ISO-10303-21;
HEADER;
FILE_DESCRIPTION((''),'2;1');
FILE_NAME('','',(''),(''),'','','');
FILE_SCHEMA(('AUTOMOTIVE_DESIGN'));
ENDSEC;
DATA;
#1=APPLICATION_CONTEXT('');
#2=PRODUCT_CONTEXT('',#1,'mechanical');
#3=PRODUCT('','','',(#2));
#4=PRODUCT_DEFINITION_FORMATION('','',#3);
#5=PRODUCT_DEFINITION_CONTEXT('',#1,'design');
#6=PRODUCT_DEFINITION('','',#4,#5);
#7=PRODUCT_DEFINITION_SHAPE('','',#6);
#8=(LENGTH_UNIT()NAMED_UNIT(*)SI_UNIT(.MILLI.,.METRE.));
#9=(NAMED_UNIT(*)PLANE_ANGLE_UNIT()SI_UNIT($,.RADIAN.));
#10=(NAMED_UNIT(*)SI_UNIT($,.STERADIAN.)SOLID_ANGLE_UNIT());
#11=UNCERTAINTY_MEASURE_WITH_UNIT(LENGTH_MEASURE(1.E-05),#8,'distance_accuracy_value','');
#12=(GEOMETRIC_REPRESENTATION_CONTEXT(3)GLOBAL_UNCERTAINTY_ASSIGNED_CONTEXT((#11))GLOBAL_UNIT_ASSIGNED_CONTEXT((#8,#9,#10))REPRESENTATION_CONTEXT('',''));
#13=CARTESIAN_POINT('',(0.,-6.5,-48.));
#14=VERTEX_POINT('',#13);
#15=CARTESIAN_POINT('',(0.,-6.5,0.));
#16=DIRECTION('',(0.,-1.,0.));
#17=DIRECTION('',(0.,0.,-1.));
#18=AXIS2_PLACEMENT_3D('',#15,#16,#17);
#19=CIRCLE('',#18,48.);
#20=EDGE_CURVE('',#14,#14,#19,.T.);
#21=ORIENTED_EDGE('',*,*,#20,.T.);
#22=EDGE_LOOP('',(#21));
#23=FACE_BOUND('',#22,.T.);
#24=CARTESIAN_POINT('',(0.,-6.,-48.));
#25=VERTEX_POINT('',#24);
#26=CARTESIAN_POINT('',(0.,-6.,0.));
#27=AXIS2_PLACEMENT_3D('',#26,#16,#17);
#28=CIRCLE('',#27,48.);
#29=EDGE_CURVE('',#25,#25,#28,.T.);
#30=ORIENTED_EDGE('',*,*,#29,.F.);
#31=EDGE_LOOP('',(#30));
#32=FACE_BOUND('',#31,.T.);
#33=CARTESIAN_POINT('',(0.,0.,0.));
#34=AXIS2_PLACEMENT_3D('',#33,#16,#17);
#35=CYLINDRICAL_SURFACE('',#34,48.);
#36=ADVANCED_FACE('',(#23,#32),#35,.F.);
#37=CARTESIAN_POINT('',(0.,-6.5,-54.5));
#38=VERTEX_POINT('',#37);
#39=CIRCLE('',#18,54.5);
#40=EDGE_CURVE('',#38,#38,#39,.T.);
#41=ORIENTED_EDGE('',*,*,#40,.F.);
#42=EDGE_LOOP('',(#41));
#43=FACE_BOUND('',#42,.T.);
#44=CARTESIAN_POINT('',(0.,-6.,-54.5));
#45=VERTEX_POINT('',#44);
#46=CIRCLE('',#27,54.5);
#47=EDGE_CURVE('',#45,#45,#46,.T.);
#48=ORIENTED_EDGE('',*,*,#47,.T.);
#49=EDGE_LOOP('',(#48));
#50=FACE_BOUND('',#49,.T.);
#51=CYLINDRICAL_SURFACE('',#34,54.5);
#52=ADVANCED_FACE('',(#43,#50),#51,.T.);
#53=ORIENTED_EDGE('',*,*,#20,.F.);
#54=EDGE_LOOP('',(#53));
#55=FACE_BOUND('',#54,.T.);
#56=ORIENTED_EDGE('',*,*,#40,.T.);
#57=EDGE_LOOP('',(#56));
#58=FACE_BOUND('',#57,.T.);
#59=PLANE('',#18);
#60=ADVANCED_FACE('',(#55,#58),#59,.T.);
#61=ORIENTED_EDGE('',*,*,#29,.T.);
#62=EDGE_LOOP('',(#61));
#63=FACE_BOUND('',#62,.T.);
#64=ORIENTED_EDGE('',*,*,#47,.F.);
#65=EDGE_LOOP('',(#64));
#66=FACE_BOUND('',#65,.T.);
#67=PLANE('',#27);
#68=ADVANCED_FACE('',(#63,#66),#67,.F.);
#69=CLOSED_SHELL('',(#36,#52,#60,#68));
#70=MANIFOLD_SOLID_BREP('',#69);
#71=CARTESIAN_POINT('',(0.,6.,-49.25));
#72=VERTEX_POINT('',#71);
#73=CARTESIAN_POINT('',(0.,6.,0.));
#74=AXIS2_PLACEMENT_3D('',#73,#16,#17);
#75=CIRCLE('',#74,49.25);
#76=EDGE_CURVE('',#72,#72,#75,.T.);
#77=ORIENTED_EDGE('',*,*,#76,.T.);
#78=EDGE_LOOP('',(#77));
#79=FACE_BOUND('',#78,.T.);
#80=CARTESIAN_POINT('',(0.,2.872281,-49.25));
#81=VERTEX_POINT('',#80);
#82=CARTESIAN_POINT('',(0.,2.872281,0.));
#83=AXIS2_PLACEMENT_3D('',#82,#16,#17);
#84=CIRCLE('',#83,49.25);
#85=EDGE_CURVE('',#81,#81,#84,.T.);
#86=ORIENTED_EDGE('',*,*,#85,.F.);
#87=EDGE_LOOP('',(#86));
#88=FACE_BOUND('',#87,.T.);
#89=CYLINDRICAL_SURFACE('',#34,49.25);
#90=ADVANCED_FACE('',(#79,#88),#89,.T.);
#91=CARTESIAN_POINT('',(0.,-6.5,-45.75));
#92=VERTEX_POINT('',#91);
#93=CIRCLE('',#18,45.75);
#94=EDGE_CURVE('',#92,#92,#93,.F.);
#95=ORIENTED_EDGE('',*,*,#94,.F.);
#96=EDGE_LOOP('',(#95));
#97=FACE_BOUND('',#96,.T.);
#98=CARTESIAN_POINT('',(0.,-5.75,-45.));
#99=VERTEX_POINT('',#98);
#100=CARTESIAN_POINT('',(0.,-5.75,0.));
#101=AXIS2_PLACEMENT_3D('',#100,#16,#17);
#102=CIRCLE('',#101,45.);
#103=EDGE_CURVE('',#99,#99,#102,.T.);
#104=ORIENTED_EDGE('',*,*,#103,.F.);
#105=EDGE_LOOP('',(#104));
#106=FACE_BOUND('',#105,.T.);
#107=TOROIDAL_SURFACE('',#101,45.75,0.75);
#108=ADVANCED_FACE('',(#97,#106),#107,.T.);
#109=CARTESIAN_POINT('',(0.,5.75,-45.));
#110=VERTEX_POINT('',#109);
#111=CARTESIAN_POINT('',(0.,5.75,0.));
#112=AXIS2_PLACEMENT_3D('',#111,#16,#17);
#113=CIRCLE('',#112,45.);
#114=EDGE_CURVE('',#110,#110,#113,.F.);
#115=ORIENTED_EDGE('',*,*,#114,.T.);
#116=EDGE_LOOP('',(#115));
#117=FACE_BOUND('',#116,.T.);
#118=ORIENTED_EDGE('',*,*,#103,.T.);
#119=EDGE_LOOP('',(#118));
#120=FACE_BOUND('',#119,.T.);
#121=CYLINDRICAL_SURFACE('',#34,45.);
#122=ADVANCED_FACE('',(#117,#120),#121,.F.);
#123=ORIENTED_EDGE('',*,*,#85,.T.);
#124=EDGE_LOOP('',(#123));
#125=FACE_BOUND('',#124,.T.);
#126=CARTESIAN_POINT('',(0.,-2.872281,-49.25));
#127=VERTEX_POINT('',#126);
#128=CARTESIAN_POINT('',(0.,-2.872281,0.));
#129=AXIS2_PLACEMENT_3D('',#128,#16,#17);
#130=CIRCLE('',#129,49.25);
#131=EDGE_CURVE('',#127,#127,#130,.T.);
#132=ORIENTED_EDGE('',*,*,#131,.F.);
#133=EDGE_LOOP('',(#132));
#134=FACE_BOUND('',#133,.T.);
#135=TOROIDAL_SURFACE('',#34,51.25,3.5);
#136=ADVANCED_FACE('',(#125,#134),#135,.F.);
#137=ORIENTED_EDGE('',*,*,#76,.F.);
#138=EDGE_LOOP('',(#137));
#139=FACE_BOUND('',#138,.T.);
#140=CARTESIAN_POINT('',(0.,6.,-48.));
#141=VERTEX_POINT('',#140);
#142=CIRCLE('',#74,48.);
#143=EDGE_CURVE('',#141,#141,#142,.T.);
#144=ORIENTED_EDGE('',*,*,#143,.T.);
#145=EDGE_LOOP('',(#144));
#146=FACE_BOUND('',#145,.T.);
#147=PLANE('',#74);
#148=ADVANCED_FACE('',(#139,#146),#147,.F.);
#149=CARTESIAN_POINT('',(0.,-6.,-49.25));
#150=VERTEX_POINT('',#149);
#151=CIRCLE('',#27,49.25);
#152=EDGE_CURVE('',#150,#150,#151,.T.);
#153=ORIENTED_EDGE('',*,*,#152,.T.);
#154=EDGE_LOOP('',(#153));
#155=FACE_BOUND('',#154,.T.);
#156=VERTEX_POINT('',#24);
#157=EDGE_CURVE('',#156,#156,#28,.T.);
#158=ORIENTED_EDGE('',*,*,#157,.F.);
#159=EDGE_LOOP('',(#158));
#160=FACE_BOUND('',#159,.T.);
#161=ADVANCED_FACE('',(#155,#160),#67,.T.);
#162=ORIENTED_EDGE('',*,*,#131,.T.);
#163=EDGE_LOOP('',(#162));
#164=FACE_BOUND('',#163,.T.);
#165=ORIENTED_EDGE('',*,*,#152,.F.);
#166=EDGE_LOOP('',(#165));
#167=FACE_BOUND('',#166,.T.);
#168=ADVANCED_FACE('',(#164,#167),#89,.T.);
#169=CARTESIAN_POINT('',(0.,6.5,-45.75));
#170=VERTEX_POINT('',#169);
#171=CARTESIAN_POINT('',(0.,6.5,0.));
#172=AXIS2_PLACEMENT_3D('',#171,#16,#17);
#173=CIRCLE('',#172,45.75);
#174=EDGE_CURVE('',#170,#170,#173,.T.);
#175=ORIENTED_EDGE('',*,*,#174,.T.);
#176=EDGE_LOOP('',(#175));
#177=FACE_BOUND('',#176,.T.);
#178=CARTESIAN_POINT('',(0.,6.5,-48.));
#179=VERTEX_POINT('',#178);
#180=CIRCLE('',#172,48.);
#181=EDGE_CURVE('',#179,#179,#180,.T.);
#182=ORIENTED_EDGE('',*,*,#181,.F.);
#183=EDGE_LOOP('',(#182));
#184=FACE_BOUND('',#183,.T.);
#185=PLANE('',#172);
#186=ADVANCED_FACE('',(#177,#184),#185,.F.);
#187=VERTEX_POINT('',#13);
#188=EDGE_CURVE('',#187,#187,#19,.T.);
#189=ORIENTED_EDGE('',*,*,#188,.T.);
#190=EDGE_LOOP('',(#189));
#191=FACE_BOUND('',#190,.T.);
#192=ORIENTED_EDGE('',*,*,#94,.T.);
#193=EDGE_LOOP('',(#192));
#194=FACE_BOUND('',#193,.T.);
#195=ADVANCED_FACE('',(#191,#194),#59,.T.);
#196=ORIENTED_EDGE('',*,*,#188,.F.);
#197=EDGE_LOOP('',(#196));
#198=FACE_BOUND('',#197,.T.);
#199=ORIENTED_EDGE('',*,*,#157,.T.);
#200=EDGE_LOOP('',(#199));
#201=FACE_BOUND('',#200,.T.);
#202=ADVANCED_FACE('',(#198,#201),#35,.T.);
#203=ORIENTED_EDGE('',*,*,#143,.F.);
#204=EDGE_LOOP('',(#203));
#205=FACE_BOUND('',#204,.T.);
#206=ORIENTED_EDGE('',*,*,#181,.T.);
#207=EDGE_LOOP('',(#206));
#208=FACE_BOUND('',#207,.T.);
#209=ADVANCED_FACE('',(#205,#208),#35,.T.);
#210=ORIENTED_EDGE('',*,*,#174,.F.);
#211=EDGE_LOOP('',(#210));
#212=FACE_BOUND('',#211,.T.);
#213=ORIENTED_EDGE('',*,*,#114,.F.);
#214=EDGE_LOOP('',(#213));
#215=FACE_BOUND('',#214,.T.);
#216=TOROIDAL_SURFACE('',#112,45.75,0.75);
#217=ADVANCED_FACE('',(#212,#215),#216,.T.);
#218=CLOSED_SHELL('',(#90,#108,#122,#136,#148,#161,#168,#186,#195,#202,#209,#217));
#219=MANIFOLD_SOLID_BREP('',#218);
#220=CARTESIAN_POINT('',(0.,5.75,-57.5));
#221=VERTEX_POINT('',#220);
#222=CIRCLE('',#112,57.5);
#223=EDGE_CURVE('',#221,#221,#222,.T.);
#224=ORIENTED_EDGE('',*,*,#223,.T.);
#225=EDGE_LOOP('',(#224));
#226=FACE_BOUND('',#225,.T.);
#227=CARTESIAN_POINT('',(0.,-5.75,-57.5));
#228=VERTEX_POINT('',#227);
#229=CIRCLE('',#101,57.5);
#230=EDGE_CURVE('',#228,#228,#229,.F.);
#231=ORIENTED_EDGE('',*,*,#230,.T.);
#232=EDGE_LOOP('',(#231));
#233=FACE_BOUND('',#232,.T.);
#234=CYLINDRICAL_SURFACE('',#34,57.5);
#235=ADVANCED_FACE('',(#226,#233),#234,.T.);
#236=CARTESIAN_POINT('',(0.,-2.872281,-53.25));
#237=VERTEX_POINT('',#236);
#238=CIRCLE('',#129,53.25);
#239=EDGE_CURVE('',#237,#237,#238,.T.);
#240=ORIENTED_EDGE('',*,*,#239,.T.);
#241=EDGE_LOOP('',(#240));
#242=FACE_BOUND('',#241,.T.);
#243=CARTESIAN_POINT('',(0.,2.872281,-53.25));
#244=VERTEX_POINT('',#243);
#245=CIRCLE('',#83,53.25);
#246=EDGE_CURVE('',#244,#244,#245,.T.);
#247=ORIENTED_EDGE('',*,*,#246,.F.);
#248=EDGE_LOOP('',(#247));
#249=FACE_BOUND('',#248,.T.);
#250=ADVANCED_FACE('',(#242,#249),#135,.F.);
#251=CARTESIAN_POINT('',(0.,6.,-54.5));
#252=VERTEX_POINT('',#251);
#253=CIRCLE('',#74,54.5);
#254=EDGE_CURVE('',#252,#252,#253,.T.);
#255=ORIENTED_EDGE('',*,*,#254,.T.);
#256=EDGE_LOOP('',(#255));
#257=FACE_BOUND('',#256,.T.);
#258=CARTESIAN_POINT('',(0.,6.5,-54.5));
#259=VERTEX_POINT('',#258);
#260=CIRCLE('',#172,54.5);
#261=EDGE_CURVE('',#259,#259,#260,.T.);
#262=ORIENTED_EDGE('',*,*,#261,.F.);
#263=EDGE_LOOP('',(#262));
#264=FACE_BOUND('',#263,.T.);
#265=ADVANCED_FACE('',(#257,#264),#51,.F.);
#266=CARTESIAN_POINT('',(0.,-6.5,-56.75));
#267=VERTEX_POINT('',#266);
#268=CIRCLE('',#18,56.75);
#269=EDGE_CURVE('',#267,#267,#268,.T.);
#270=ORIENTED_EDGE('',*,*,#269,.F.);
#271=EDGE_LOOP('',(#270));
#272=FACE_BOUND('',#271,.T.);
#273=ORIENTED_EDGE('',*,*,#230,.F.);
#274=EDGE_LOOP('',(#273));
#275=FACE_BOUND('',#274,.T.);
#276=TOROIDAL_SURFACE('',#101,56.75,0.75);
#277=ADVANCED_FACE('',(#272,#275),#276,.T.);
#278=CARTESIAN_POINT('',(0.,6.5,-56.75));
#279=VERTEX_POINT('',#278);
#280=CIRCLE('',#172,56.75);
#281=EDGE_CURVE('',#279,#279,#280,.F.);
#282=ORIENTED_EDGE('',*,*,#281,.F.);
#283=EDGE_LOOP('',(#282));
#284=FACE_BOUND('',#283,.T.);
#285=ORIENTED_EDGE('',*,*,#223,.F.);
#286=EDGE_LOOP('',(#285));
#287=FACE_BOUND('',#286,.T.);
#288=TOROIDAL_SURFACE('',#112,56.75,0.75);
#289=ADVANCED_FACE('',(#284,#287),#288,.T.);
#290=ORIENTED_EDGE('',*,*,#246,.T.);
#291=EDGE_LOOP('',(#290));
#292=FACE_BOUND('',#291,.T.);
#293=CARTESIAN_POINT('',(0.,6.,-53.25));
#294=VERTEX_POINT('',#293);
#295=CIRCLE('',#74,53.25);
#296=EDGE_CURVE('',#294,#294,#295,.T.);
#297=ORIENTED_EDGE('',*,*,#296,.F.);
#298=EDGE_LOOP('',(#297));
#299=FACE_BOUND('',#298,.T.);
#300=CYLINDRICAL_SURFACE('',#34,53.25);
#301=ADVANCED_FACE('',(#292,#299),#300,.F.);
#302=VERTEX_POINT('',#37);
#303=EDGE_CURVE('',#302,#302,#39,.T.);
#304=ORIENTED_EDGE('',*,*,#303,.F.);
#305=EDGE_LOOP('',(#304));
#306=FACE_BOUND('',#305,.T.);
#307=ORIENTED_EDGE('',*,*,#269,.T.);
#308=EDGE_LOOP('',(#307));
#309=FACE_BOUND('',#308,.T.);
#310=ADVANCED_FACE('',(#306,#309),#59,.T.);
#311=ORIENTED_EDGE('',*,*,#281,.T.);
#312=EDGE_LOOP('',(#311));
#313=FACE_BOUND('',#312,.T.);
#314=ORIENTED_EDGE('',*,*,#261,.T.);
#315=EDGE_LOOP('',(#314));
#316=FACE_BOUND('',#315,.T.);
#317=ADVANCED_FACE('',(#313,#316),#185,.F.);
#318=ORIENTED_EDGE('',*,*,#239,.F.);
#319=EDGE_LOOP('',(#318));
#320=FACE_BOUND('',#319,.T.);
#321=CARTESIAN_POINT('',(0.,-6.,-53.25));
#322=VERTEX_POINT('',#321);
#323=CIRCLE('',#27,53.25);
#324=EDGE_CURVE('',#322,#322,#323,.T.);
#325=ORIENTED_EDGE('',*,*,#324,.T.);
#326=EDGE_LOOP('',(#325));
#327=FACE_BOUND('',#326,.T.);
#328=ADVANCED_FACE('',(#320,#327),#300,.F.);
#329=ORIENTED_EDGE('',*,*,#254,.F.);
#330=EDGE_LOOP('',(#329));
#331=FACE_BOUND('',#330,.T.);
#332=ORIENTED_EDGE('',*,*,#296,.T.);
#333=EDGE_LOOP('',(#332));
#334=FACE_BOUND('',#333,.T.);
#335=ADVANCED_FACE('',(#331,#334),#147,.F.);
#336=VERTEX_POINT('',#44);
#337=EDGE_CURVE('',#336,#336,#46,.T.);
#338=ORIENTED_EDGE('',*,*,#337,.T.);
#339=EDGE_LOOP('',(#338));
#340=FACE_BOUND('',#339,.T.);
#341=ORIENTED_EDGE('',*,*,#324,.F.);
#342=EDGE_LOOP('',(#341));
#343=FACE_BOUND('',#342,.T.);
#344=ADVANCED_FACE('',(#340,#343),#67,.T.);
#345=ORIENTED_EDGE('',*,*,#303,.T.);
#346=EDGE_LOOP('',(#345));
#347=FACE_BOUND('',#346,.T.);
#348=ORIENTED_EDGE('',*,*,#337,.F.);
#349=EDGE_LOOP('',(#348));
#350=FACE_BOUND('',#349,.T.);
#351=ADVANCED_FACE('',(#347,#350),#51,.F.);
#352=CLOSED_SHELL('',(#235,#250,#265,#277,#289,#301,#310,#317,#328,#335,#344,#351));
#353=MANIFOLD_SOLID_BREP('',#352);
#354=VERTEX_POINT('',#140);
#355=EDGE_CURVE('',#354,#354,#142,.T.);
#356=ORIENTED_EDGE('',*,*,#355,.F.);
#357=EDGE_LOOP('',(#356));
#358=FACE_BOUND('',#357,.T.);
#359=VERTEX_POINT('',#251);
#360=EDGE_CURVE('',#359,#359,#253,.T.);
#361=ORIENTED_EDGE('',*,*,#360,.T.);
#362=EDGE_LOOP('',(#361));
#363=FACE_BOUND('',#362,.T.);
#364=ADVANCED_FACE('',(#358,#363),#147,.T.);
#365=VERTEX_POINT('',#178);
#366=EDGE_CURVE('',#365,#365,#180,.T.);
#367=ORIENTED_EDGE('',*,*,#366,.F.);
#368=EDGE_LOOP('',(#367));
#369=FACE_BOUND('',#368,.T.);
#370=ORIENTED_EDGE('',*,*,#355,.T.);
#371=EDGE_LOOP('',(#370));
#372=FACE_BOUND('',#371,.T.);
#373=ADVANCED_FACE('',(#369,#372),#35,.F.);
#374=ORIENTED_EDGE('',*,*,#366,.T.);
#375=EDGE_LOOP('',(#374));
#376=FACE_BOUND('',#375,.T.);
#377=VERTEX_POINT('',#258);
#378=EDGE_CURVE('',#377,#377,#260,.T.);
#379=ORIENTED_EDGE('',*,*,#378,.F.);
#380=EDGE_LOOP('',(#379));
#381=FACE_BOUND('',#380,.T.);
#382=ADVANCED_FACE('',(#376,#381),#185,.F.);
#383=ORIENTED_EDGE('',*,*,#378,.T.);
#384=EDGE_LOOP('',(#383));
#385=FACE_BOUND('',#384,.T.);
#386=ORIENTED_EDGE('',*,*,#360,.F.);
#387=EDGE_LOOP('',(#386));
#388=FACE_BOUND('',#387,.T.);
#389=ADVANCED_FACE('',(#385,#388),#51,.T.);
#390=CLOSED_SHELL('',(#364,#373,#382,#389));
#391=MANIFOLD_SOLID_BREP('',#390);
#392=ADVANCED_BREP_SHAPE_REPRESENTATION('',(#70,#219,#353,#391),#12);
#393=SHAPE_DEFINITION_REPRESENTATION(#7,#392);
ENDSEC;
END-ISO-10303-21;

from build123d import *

# Parameters (mm, degrees)
SKETCH1_3_W = 6.5
SKETCH1_3_H = 0.5
FILLET1_R   = 0.75
FILLET2_R   = 0.75


with BuildPart() as part:
    # Sketch1 → Revolve1 (revolve)
    with BuildSketch(Plane.XY):
        with BuildLine():
            Line((45, 6.5), (45, -6.5))
            Line((45, -6.5), (48, -6.5))
            Line((48, -6.5), (48, -6))
            Line((48, -6), (49.25, -6))
            Line((49.25, -6), (49.25, -2.872281323))
            ThreePointArc((49.25, -2.872281323), (47.75, 0), (49.25, 2.872281323))
            Line((49.25, 2.872281323), (49.25, 6))
            Line((49.25, 6), (48, 6))
            Line((48, 6), (48, 6.5))
            Line((48, 6.5), (45, 6.5))
        make_face()
        with BuildLine():
            Line((54.5, -6), (54.5, -6.5))
            Line((54.5, -6.5), (57.5, -6.5))
            Line((57.5, -6.5), (57.5, 6.5))
            Line((57.5, 6.5), (54.5, 6.5))
            Line((54.5, 6.5), (54.5, 6))
            Line((54.5, 6), (53.25, 6))
            Line((53.25, 6), (53.25, 2.872281323))
            ThreePointArc((53.25, 2.872281323), (54.75, 0), (53.25, -2.872281323))
            Line((53.25, -2.872281323), (53.25, -6))
            Line((53.25, -6), (54.5, -6))
        make_face()
    revolve(axis=Axis((0, 0, 0), (0, 1, 0)))

    # Fillet1
    fillet1_edges = [part.edges().sort_by_distance(p)[0] for p in [
        (-45, -6.5, 0),
        (-45, 6.5, 0),
    ]]
    fillet(fillet1_edges, radius=FILLET1_R)

    # Fillet2
    fillet2_edges = [part.edges().sort_by_distance(p)[0] for p in [
        (-57.5, -6.5, 0),
        (-57.5, 6.5, 0),
    ]]
    fillet(fillet2_edges, radius=FILLET2_R)


with BuildPart() as body_2:
    # Sketch1<3> → Revolve2 (revolve)
    with BuildSketch(Plane.XY):
        with Locations((51.25, -6.25)):
            Rectangle(SKETCH1_3_W, SKETCH1_3_H)
        with Locations((51.25, 6.25)):
            Rectangle(SKETCH1_3_W, SKETCH1_3_H)
    revolve(axis=Axis((0, 0, 0), (0, 1, 0)))


solid = Compound([part.part, body_2.part])
